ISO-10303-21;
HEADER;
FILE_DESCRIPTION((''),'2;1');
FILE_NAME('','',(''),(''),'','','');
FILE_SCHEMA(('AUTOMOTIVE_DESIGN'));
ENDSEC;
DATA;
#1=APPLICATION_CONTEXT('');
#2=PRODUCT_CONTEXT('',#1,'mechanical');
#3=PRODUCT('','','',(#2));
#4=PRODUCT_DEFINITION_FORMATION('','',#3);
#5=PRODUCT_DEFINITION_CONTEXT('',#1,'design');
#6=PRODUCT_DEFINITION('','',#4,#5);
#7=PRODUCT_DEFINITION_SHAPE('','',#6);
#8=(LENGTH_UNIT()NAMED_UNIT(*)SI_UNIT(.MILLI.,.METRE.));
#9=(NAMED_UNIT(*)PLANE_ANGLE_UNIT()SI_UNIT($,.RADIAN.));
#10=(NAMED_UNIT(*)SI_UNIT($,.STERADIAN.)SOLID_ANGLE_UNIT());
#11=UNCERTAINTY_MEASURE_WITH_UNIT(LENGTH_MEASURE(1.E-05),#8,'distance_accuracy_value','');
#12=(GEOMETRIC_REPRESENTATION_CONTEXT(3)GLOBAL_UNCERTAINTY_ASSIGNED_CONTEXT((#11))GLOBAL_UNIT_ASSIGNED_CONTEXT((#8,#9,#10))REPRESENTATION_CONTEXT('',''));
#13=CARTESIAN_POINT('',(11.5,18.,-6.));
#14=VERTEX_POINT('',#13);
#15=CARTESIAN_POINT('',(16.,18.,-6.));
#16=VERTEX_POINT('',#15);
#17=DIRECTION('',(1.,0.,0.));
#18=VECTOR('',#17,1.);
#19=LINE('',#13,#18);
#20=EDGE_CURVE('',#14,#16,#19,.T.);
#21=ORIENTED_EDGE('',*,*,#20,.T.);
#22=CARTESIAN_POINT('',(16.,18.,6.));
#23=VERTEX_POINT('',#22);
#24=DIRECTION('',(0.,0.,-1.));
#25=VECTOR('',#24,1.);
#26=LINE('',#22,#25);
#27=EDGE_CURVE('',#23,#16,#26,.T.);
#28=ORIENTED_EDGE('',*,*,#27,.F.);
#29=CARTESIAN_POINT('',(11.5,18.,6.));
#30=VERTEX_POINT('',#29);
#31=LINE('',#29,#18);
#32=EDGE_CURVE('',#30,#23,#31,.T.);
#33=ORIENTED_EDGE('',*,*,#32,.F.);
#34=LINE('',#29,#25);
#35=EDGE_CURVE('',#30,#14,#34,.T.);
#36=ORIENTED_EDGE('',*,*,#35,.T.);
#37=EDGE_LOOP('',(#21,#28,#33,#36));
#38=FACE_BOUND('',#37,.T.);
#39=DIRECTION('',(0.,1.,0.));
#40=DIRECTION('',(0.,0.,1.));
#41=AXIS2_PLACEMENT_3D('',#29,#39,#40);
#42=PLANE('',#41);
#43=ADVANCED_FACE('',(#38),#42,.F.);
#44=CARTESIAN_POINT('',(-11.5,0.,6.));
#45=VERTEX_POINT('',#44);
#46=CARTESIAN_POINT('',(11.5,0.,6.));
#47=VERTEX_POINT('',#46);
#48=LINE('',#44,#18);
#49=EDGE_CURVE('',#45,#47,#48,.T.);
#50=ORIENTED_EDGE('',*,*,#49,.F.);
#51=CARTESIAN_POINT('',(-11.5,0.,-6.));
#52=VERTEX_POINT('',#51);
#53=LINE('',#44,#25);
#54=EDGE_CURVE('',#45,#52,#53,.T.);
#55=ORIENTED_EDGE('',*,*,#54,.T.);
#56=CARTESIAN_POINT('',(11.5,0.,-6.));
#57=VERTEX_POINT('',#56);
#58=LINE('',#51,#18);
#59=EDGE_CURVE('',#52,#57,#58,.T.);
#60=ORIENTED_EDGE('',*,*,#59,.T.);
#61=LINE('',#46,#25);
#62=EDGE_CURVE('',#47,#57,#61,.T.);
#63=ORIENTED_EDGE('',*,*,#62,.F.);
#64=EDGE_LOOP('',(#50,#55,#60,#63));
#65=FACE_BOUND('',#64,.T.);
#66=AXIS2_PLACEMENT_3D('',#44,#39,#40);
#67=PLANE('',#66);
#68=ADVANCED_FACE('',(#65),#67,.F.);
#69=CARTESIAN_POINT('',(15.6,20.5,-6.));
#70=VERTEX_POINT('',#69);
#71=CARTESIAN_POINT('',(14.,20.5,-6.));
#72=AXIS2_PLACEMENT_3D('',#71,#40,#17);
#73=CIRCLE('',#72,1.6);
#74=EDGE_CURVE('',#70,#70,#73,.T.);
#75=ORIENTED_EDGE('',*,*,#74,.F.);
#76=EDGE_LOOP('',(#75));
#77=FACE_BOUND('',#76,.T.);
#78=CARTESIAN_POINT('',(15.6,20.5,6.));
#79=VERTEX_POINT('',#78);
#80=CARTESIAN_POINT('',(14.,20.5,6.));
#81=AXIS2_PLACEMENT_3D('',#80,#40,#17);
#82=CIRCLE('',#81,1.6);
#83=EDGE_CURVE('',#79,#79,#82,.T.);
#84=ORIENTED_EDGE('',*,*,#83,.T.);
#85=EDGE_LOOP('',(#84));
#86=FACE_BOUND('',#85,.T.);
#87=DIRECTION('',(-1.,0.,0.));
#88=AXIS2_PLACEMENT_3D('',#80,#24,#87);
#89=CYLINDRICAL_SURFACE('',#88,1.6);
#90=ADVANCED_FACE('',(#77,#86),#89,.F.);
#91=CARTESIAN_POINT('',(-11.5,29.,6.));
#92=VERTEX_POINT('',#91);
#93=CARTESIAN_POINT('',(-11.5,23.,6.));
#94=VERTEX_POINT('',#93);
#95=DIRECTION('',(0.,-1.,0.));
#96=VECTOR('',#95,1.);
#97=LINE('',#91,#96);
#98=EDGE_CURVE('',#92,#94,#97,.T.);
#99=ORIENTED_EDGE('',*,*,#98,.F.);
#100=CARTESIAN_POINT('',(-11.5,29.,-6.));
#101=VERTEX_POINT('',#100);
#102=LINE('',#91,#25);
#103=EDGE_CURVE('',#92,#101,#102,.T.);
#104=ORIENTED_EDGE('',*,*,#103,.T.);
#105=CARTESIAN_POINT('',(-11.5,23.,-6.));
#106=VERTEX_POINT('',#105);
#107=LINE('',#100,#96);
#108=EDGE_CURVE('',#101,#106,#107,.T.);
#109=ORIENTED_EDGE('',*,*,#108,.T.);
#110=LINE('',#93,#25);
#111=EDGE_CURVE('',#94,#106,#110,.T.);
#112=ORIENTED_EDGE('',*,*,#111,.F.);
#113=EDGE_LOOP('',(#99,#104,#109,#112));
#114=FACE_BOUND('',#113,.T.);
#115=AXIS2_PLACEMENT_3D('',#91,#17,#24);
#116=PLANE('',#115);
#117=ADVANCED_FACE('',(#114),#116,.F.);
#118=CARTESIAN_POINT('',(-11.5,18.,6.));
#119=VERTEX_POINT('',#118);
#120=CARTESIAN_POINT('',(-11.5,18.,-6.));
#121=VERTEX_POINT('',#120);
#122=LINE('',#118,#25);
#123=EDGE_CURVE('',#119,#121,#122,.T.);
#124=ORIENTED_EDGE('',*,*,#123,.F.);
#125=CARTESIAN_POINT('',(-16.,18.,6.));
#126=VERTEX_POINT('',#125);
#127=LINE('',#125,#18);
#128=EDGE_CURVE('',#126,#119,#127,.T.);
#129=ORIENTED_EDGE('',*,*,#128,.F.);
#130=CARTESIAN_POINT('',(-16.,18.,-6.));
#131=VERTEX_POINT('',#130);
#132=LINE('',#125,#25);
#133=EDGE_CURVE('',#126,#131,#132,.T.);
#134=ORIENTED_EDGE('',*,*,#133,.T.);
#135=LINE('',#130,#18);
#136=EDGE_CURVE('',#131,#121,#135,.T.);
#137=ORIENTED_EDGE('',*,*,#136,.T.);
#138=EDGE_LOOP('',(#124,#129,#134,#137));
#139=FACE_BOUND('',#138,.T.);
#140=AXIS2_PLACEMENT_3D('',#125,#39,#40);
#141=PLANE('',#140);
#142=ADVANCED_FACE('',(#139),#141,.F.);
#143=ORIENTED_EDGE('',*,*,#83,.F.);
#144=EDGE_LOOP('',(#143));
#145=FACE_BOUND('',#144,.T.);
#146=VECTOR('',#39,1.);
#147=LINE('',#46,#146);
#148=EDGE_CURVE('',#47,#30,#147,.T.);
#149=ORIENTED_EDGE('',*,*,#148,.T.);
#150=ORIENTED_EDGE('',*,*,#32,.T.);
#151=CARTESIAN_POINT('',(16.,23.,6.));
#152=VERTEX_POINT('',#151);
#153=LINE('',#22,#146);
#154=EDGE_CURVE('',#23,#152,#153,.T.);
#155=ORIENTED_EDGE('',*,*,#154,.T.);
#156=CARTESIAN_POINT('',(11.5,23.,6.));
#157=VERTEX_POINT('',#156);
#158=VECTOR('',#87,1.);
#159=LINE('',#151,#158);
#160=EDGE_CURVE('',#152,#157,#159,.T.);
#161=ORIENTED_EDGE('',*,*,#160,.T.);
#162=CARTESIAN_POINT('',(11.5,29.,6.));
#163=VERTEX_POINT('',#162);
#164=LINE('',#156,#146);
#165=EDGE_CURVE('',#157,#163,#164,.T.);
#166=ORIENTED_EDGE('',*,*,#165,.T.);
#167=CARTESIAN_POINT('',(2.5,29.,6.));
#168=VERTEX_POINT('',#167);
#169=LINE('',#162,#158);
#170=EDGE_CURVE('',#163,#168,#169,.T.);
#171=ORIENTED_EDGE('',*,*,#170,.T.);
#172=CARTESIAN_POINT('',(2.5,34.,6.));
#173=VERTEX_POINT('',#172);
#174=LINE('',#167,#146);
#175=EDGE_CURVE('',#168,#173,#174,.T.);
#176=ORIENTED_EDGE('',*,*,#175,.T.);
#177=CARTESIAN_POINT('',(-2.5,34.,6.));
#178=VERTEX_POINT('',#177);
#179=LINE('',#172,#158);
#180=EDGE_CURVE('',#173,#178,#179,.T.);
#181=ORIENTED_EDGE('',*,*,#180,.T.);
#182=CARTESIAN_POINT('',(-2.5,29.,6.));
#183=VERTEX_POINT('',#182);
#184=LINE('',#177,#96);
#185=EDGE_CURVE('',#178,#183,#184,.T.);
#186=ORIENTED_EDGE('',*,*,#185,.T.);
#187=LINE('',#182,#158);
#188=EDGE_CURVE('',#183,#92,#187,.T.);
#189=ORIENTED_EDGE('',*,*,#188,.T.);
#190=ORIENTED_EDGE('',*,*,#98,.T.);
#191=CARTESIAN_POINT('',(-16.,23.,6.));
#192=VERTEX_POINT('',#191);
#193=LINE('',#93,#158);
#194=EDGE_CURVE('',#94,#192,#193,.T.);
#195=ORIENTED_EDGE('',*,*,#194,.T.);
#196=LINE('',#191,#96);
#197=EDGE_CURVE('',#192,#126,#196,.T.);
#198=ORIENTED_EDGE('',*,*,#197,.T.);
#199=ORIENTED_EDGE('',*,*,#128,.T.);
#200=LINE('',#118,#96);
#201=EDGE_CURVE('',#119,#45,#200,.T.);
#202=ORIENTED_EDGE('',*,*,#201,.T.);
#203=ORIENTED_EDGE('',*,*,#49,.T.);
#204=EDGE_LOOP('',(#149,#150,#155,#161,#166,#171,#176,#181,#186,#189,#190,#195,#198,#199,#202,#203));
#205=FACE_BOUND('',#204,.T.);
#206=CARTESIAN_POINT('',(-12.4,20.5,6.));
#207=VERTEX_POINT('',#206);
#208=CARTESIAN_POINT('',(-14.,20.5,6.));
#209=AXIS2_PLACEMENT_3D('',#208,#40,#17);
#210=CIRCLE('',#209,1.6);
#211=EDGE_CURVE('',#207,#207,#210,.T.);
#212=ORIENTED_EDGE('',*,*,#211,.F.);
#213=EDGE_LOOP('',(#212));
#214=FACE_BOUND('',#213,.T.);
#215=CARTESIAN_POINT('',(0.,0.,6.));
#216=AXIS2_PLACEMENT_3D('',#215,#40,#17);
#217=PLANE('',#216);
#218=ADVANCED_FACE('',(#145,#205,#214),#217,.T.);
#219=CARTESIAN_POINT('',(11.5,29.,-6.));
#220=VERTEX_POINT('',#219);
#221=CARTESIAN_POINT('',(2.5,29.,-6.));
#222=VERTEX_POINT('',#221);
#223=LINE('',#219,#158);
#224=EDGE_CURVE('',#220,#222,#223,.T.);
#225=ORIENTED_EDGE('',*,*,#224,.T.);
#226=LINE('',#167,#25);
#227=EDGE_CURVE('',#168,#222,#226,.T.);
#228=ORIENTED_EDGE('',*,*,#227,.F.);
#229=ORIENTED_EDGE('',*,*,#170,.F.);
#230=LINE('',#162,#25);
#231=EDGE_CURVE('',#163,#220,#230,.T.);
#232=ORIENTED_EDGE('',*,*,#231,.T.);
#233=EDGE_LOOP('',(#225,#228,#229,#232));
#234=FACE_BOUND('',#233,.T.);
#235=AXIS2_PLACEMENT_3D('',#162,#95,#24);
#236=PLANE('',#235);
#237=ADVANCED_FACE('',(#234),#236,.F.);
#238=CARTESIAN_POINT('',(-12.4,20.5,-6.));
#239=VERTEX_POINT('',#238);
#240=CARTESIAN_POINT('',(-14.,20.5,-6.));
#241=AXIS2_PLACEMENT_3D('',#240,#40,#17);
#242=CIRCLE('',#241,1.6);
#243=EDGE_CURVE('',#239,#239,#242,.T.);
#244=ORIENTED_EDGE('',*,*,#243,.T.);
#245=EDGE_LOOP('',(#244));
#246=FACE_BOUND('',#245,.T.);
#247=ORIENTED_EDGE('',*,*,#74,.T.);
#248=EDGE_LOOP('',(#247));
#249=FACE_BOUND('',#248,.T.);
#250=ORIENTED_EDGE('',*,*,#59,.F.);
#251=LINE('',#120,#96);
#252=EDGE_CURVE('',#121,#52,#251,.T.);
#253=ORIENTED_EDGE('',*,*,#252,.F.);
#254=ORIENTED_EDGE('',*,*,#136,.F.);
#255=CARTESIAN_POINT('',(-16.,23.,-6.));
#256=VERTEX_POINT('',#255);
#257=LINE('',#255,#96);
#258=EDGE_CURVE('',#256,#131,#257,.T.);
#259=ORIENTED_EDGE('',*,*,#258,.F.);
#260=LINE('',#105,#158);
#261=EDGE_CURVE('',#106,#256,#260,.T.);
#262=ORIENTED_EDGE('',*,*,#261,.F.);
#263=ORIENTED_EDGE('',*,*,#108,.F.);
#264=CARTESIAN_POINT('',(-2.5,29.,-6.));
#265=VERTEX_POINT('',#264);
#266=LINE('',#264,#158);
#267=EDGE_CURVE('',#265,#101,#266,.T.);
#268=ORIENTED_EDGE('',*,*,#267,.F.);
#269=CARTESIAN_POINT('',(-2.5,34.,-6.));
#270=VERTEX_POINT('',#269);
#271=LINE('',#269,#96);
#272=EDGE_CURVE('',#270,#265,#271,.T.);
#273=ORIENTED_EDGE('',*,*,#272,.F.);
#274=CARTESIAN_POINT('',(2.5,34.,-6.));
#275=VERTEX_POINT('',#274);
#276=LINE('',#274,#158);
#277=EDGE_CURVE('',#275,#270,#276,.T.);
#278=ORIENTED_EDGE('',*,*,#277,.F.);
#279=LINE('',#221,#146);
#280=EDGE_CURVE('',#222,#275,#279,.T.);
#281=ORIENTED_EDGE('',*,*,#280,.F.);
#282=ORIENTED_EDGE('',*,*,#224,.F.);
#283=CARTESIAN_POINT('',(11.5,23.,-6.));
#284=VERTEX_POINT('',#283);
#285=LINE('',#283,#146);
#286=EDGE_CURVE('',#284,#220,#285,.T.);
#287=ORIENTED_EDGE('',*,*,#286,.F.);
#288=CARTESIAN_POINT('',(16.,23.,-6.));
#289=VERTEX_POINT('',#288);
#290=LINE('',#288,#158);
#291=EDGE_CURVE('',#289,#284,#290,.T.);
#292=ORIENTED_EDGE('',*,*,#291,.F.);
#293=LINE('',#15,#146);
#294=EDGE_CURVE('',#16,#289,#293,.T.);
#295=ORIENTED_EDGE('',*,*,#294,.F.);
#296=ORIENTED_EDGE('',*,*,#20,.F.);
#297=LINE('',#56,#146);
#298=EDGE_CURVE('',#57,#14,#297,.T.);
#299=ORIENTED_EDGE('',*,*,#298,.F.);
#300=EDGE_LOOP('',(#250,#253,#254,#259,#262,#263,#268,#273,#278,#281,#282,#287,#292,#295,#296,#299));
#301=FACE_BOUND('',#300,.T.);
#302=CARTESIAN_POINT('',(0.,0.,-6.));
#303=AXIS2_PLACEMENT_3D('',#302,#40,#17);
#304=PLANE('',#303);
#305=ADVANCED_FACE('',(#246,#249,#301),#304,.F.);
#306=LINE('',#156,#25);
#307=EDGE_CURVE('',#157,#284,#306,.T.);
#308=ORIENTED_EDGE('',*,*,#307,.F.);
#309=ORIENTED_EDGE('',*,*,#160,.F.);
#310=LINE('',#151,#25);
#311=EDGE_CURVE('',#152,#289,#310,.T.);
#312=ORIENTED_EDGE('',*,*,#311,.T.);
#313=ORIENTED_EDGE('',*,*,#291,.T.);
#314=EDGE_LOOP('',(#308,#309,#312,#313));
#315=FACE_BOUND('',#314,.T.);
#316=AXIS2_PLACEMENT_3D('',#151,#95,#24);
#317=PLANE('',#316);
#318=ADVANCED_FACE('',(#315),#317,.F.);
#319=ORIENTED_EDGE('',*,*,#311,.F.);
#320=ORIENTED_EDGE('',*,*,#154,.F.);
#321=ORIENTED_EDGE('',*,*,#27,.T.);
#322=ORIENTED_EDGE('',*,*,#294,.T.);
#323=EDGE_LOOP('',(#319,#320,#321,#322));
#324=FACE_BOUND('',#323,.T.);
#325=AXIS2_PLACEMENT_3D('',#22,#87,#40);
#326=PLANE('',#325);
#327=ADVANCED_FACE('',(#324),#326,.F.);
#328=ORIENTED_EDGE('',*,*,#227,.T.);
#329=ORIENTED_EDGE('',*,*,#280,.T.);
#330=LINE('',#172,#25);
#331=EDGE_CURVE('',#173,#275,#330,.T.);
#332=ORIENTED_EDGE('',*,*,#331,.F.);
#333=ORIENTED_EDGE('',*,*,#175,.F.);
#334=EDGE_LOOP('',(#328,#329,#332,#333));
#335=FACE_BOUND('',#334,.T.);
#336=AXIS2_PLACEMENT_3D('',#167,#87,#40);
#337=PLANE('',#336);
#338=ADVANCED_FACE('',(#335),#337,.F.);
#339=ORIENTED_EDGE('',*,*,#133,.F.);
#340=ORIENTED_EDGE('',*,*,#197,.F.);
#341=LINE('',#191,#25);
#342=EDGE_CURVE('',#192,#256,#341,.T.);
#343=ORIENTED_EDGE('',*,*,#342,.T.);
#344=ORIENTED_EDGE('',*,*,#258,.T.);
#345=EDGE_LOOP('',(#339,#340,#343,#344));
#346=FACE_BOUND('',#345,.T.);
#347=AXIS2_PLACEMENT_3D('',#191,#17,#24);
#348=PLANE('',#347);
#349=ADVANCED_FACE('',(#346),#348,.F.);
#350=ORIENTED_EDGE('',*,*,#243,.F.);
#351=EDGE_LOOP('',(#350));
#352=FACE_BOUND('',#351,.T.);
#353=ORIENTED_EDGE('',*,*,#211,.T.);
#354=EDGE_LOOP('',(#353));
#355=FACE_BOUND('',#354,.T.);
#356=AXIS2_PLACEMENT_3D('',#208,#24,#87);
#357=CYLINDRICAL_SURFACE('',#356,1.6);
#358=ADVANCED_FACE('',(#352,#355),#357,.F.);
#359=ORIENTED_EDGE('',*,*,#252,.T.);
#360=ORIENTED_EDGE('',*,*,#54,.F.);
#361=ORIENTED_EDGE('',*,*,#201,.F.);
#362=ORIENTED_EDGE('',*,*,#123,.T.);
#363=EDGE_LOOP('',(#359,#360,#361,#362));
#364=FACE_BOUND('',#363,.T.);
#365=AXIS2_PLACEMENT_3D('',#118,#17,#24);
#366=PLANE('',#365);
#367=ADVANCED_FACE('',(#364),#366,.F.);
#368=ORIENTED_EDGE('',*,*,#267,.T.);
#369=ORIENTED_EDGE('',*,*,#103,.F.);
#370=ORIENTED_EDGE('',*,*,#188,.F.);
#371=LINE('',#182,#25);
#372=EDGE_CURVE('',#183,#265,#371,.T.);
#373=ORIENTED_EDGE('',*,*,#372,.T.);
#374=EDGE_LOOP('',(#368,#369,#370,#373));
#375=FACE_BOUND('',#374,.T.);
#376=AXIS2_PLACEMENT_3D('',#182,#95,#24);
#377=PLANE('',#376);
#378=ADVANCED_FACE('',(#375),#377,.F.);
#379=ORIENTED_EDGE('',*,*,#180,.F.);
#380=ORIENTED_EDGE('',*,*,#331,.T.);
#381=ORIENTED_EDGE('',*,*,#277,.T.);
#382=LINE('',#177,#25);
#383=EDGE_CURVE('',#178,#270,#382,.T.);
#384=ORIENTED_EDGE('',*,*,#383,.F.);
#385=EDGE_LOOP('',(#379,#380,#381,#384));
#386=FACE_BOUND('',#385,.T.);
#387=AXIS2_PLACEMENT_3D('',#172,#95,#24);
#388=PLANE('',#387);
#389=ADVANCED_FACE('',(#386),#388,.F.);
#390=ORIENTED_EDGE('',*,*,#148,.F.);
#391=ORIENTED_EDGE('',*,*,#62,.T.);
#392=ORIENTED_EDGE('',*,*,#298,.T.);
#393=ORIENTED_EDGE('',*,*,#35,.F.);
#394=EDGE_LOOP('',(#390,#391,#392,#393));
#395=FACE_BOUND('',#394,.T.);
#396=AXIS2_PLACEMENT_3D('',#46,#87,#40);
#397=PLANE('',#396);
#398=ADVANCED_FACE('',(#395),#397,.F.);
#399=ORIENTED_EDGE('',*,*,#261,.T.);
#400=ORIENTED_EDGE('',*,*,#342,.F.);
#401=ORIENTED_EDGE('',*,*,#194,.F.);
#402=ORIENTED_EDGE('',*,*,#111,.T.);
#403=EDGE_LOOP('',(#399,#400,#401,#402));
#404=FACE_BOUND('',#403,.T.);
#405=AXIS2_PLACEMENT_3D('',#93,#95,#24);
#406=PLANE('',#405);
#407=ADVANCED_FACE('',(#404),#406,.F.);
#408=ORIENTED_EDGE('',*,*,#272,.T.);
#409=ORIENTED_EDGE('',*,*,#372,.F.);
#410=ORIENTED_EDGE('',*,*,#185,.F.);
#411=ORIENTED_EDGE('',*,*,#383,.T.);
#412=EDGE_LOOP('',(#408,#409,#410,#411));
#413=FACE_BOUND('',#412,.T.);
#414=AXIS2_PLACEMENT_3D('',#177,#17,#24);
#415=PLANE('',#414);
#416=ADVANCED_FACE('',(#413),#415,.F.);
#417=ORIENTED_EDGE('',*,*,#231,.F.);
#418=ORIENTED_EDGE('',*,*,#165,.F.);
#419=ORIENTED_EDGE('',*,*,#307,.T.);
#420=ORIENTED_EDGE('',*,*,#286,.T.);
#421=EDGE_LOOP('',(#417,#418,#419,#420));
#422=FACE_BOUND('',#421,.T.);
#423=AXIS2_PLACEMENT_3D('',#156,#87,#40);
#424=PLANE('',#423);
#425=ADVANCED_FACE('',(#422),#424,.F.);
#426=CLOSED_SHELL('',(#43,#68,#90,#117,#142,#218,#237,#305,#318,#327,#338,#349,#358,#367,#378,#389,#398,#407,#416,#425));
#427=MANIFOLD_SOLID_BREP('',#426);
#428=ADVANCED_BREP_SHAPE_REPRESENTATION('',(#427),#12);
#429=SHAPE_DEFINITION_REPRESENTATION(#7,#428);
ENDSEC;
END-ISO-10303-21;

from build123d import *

# Parameters (mm, degrees)
SKETCH_1_R      = 1.6
EXTRUDE_1_DEPTH = 6


with BuildPart() as part:
    # 草图1 → 凸台-拉伸1 (new, symmetric)
    with BuildSketch(Plane.XY):
        Polygon((11.5, 0), (11.5, 18), (16, 18), (16, 23), (11.5, 23), (11.5, 29), (2.5, 29), (2.5, 34), (-2.5, 34), (-2.5, 29), (-11.5, 29), (-11.5, 23), (-16, 23), (-16, 18), (-11.5, 18), (-11.5, 0), align=None)
        with Locations((14, 20.5)):
            Circle(SKETCH_1_R, mode=Mode.SUBTRACT)
        with Locations((-14, 20.5)):
            Circle(SKETCH_1_R, mode=Mode.SUBTRACT)
    extrude(amount=EXTRUDE_1_DEPTH, both=True)


solid = part.part
